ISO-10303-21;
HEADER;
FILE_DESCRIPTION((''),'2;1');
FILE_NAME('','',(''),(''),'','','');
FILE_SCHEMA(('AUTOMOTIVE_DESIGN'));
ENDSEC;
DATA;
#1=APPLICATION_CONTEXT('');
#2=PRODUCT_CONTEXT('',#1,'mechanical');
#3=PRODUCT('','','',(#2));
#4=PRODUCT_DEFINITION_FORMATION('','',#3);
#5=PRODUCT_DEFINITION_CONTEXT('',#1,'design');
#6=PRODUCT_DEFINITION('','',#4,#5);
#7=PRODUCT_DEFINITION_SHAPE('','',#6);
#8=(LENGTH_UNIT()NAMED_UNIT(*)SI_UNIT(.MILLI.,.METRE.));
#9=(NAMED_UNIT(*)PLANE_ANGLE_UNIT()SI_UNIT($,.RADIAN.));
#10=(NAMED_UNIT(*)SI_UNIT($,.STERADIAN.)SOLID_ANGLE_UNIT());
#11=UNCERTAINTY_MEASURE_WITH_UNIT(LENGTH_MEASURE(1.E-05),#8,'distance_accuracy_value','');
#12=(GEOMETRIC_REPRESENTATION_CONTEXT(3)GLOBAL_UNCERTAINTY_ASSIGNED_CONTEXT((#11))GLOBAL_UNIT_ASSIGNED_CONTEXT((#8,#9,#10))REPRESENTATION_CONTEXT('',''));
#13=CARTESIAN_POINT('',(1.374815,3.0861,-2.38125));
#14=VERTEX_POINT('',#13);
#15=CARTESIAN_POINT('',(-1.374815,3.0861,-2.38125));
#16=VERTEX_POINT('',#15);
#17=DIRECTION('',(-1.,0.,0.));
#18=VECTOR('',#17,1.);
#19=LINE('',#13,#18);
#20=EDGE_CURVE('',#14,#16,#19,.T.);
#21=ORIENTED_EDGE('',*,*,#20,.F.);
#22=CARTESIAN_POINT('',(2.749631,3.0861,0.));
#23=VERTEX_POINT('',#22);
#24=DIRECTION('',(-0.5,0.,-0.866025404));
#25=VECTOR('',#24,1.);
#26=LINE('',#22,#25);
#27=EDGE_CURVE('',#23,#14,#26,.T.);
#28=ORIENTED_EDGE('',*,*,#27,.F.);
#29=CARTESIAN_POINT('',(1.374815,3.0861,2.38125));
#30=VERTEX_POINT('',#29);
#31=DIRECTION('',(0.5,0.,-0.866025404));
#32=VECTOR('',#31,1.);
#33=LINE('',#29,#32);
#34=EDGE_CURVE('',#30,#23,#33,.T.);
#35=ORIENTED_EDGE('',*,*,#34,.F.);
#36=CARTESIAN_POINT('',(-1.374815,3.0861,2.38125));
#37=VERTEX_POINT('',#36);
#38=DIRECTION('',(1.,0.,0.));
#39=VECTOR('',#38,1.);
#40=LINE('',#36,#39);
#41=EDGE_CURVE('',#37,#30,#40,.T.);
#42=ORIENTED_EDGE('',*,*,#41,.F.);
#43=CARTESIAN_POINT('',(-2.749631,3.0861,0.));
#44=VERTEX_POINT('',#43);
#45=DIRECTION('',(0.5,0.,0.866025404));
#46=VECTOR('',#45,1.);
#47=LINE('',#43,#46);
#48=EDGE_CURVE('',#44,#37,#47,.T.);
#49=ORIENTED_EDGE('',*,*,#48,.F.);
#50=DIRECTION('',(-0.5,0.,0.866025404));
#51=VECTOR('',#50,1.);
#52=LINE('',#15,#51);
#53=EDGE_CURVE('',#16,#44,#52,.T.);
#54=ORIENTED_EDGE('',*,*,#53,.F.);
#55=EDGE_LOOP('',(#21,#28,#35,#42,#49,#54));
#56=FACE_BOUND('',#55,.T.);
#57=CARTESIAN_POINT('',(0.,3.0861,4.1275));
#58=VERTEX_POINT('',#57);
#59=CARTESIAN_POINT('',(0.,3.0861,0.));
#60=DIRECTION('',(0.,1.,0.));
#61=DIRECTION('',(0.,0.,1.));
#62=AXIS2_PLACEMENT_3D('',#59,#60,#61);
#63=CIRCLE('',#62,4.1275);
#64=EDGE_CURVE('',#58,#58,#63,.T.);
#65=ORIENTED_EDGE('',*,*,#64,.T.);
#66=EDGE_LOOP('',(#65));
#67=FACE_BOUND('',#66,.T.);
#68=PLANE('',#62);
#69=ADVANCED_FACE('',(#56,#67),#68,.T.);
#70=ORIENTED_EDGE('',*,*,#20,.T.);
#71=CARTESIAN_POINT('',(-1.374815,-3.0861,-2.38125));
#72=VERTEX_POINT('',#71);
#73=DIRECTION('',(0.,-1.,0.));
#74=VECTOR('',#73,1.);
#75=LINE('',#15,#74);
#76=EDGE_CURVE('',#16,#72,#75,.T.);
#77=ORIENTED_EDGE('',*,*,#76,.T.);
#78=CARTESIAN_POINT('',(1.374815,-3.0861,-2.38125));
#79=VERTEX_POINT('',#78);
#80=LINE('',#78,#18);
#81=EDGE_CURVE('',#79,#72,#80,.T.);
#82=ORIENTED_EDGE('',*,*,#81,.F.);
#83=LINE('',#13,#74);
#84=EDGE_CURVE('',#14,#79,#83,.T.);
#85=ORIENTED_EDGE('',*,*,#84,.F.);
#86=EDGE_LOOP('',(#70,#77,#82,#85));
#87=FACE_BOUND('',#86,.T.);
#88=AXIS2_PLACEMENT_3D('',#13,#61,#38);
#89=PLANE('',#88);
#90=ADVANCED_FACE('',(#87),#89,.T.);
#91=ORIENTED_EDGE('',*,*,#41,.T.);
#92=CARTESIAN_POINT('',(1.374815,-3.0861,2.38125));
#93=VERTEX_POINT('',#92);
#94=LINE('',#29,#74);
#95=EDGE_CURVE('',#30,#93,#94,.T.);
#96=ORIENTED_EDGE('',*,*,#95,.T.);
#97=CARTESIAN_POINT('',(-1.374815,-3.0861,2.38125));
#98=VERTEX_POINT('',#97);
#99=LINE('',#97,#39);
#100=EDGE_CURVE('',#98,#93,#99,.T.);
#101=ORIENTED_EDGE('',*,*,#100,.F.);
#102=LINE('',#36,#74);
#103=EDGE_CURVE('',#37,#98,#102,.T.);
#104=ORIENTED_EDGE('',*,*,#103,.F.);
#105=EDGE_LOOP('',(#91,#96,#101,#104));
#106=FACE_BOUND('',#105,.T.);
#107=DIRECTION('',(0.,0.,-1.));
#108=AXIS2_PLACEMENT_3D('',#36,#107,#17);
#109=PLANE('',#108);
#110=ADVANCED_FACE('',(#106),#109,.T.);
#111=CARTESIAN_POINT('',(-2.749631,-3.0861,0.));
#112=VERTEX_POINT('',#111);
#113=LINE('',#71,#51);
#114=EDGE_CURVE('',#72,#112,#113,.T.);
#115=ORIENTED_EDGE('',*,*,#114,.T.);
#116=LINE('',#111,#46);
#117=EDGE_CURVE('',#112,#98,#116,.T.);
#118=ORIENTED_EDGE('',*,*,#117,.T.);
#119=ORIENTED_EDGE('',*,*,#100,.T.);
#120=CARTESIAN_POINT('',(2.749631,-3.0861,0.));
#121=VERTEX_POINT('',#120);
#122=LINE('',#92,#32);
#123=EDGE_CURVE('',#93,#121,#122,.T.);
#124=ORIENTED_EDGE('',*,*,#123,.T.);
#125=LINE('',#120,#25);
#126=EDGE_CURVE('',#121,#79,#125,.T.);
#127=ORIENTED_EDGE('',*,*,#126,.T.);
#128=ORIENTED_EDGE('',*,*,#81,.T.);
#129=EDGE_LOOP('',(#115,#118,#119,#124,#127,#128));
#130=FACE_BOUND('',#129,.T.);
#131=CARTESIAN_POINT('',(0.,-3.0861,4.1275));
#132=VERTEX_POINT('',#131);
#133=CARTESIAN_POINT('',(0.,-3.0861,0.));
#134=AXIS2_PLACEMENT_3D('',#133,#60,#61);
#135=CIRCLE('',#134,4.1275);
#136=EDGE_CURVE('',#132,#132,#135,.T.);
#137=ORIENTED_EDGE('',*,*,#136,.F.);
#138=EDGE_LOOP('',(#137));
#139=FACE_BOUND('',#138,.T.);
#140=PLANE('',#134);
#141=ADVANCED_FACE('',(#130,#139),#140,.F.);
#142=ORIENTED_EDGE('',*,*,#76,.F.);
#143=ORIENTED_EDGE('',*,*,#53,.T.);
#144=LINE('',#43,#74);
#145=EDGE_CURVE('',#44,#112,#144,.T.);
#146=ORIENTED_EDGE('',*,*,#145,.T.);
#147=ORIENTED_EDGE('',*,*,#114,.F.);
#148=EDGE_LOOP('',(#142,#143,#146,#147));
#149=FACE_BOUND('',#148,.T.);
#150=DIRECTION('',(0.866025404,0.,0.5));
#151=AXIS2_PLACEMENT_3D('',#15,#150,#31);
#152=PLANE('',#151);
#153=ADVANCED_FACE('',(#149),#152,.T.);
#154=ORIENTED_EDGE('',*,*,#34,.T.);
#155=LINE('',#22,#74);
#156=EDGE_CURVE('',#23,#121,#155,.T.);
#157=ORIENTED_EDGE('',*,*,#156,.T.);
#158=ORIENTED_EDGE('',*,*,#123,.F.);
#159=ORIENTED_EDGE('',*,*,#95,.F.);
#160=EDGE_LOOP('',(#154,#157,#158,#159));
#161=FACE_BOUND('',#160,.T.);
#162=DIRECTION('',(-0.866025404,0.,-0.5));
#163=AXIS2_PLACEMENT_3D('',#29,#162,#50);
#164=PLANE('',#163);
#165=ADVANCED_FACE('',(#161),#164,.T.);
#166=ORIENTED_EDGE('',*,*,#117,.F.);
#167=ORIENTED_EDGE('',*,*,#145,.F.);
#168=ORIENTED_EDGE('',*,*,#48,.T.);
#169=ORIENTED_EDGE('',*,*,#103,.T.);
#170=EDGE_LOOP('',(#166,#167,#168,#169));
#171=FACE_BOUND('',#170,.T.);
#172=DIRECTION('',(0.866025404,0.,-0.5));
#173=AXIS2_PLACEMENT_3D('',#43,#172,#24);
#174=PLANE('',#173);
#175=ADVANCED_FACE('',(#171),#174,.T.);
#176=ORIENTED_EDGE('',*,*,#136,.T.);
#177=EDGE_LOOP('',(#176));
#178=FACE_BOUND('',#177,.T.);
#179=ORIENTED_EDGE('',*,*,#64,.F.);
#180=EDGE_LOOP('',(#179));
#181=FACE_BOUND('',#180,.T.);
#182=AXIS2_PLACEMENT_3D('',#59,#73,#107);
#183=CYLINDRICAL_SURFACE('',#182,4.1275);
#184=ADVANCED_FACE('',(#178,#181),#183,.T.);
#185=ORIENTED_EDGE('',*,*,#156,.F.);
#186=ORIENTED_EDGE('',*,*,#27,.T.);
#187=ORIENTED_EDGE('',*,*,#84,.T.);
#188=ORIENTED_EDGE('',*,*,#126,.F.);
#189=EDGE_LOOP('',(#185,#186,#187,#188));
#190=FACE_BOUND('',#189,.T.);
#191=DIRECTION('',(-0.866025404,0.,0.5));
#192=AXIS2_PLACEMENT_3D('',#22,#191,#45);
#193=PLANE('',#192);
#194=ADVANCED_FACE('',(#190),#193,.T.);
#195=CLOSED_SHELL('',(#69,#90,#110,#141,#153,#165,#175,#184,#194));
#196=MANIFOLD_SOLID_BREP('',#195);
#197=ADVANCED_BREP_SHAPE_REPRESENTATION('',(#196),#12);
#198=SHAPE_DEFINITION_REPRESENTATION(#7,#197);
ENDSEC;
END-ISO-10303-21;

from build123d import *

# Parameters (mm, degrees)
SKETCH1_R           = 4.1275
BOSS_EXTRUDE1_DEPTH = 3.0861


with BuildPart() as part:
    # Sketch1 → Boss-Extrude1 (new body, symmetric)
    with BuildSketch(Plane(origin=(0, 0, 0), x_dir=(1, 0, 0), z_dir=(0, 1, 0))):
        Circle(SKETCH1_R)
        Polygon((1.374815329, -2.38125), (2.749630657, 0), (1.374815329, 2.38125), (-1.374815329, 2.38125), (-2.749630657, 0), (-1.374815329, -2.38125), align=None, mode=Mode.SUBTRACT)
    extrude(amount=BOSS_EXTRUDE1_DEPTH, both=True)


solid = part.part
